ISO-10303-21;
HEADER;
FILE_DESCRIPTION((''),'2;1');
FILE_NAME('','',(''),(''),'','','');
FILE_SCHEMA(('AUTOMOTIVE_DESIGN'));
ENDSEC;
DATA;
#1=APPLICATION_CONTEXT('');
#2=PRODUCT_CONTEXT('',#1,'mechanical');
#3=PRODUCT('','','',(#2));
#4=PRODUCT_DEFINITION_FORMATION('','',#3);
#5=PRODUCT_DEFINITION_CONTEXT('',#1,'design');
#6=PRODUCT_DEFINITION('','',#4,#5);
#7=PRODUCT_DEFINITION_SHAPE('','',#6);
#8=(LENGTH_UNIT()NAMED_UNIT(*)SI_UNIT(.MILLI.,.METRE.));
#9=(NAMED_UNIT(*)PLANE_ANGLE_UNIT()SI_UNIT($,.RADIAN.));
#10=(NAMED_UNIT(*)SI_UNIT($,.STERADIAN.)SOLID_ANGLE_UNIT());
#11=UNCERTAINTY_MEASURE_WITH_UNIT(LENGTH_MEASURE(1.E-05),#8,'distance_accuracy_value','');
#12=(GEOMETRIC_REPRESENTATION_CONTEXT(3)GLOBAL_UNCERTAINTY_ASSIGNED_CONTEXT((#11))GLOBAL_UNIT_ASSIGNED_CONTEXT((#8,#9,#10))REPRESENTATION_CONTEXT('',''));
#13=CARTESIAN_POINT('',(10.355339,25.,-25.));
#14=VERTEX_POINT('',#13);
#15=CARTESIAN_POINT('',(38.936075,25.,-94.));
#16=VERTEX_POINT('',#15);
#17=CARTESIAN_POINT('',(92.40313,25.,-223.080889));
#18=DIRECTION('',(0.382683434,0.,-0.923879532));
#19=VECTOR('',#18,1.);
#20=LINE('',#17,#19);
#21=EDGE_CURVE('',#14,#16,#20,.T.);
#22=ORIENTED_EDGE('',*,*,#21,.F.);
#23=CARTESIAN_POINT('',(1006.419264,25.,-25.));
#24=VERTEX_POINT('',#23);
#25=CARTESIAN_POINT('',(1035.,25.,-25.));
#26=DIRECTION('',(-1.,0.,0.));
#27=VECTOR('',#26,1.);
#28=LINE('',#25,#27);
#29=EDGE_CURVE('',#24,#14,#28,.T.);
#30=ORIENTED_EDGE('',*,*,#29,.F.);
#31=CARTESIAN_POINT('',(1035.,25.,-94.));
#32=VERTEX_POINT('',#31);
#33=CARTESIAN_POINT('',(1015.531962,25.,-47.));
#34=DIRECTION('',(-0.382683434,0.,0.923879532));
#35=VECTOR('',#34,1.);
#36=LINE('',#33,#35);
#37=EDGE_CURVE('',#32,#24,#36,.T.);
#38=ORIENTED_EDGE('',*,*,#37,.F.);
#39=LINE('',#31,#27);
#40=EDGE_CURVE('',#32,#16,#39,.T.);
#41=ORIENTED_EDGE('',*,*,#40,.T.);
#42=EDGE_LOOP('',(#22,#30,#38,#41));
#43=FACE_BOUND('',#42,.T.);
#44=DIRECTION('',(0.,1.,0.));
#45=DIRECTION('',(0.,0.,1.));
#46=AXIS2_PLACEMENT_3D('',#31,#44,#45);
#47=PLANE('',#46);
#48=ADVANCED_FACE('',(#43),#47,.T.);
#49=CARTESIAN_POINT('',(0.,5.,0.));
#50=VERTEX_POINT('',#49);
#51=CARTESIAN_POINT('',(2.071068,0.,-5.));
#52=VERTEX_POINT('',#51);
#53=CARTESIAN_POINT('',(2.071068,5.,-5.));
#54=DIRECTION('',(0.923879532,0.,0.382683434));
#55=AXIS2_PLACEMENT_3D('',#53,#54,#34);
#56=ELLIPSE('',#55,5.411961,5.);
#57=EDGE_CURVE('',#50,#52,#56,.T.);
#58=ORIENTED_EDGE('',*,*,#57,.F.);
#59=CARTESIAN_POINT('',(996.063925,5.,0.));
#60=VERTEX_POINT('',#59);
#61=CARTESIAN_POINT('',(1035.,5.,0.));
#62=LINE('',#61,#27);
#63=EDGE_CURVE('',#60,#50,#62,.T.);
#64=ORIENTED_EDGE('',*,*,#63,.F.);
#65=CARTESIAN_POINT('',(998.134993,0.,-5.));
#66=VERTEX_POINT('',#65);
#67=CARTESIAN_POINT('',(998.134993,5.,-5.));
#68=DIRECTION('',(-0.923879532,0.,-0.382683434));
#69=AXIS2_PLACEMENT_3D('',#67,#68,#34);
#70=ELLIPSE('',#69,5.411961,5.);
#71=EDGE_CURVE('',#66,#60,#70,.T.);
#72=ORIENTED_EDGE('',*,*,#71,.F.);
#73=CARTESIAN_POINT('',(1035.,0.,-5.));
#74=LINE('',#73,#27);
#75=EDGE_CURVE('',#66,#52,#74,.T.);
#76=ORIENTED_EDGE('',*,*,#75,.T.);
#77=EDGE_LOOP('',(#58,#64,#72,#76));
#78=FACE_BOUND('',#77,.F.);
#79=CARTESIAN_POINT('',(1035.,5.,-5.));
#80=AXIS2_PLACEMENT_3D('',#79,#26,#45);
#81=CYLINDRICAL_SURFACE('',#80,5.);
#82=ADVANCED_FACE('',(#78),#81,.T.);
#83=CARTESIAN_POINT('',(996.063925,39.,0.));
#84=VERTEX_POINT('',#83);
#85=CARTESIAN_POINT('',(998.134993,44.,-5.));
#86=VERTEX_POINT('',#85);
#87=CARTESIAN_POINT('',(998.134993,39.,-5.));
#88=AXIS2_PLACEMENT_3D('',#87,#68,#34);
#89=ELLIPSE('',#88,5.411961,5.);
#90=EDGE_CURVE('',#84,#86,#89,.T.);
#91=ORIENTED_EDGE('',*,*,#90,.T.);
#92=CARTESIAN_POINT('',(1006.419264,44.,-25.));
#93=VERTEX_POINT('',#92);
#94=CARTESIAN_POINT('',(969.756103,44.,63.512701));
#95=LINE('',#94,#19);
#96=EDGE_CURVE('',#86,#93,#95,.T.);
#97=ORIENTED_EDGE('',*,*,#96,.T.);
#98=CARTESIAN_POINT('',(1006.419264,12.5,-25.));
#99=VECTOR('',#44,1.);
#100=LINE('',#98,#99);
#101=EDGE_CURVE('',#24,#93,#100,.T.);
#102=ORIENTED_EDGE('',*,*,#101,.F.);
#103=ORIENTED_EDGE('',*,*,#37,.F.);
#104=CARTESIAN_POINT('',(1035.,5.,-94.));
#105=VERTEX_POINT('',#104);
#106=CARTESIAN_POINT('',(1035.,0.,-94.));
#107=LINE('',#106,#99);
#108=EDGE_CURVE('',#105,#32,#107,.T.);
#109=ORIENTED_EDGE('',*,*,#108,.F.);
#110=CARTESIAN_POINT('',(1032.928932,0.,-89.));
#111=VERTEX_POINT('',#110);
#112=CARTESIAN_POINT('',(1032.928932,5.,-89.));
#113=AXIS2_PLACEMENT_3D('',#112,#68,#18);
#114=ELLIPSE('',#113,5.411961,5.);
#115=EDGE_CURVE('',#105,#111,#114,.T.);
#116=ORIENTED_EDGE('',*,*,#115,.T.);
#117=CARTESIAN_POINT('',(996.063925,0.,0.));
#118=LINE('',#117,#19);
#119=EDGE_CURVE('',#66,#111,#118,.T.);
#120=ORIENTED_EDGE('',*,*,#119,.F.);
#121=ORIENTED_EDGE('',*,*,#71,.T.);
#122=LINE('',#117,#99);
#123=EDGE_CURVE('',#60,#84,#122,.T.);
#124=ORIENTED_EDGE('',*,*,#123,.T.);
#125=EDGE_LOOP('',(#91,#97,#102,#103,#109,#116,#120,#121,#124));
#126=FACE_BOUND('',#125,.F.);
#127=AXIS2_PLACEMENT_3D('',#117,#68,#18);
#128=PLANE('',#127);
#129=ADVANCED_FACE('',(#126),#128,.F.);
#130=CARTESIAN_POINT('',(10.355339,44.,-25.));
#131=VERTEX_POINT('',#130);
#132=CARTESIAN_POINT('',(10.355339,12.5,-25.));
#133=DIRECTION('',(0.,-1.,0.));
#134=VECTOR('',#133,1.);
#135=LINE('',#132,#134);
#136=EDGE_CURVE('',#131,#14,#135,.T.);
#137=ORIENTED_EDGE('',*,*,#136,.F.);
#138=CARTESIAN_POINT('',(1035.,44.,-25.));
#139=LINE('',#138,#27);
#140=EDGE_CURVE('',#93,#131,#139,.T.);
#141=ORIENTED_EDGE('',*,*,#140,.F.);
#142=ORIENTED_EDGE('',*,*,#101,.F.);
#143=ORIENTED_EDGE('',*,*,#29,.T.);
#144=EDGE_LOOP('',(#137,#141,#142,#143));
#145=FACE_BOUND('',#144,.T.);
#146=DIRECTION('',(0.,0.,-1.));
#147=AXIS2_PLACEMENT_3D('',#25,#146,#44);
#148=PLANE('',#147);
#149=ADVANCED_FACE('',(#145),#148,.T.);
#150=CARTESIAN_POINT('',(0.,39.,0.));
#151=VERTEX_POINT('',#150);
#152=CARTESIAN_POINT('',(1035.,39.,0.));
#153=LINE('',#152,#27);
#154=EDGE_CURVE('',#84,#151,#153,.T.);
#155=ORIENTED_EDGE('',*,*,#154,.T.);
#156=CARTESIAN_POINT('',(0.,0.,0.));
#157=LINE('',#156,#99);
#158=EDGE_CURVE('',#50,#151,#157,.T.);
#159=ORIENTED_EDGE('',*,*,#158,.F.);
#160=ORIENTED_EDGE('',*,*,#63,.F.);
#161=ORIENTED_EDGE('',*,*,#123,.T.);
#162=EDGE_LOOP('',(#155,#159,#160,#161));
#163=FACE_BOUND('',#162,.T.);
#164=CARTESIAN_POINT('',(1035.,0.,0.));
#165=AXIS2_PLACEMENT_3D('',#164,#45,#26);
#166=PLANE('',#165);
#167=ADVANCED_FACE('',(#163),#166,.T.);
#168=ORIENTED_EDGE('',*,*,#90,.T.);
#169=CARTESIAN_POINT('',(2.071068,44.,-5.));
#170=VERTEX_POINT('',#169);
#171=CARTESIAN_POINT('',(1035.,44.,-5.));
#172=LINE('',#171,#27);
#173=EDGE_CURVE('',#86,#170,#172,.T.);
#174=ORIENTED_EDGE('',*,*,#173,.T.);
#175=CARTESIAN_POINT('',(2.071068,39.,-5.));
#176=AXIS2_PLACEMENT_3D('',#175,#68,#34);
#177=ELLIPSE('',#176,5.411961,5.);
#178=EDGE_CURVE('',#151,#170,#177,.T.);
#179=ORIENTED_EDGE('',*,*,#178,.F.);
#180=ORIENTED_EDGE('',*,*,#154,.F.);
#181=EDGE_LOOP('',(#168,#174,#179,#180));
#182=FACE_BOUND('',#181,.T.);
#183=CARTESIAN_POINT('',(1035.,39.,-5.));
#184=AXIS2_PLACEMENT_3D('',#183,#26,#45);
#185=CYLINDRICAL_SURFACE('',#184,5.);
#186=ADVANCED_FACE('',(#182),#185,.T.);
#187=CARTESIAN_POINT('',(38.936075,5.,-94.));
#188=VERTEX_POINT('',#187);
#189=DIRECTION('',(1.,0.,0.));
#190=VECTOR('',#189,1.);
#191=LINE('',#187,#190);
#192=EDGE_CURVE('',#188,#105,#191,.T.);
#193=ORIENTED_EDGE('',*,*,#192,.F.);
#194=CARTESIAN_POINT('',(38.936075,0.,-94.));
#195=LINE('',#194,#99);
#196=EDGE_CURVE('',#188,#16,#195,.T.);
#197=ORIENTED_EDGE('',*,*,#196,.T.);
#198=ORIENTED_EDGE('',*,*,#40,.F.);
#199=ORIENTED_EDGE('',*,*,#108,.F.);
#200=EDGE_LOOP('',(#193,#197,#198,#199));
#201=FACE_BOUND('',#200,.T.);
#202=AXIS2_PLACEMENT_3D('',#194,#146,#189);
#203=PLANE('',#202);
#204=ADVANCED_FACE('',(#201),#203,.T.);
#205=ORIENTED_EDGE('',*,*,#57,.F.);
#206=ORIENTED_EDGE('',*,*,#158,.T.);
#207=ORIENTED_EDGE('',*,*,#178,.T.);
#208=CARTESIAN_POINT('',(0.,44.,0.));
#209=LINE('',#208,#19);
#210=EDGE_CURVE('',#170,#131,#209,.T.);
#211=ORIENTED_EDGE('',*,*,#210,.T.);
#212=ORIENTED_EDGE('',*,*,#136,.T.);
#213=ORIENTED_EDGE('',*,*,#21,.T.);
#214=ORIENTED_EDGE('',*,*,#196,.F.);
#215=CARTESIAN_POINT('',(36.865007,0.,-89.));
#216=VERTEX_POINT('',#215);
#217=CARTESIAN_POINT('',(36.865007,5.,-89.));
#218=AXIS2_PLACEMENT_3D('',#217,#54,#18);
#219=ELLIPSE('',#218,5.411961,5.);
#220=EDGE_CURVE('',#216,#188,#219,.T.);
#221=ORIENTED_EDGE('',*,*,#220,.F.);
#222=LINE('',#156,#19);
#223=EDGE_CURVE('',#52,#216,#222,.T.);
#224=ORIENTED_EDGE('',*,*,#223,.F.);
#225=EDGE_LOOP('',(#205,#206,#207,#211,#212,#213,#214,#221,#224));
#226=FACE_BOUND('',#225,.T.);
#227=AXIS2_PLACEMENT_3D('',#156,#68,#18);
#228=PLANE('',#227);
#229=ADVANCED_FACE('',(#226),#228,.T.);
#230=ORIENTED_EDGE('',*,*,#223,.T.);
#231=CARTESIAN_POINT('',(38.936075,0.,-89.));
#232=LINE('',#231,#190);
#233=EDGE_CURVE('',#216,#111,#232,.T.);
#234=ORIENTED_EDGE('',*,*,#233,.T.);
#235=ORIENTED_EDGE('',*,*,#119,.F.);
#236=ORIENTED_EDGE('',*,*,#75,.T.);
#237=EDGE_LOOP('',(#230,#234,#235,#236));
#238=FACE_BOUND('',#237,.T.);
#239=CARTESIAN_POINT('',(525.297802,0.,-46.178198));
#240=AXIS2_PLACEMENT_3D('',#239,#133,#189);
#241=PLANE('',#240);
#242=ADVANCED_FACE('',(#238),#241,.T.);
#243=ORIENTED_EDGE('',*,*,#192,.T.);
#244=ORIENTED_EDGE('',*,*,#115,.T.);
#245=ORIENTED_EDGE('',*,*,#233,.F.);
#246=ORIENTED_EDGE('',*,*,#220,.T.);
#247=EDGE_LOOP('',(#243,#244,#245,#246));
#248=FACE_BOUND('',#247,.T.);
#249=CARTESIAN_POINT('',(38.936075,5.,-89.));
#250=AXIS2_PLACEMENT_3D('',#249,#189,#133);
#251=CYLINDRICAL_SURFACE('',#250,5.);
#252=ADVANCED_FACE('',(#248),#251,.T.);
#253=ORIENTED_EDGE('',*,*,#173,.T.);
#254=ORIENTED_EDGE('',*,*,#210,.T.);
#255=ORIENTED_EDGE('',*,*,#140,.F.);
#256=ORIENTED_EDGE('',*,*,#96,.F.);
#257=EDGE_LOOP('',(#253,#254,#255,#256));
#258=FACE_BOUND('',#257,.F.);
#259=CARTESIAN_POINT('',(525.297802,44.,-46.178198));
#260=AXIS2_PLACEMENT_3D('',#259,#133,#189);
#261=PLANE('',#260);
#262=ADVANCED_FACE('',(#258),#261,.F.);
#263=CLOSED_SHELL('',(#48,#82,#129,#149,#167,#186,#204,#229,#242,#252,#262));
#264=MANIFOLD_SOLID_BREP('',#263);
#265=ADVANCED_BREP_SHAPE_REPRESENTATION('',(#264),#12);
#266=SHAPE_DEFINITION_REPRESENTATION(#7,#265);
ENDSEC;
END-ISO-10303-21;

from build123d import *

# Parameters (mm, degrees)
F1_DEPTH = 44
F3_W     = 19
F3_H     = 69
F4_DEPTH = 1035.001
F5_R     = 5
F6_DEPTH = 44.001


with BuildPart() as f1:
    # F0 (on Front) → F1 (new body)
    with BuildSketch(Plane.XZ):
        Polygon((1035, 0), (0, 0), (38.936075, -94), (1035, -94), align=None)
    extrude(amount=-F1_DEPTH)

    # F3 (on face) → F4 (cut, through all)
    with BuildSketch(Plane.YZ.offset(1035)):
        with Locations((34.5, -59.5)):
            Rectangle(F3_W, F3_H)
    extrude(amount=-F4_DEPTH, mode=Mode.SUBTRACT)

    # F5
    f5_edges = [f1.edges().sort_by_distance(p)[0] for p in [
        (517.5, 0, 0),
        (536.968037, 0, -94),
        (517.5, 44, 0),
    ]]
    fillet(f5_edges, radius=F5_R)

    # F2 (on face) → F6 (cut, through all)
    with BuildSketch(Plane.XZ):
        Polygon((996.063925, 0), (1035, -94), (1035, 0), align=None)
    extrude(amount=-F6_DEPTH, mode=Mode.SUBTRACT)


solid = f1.part
